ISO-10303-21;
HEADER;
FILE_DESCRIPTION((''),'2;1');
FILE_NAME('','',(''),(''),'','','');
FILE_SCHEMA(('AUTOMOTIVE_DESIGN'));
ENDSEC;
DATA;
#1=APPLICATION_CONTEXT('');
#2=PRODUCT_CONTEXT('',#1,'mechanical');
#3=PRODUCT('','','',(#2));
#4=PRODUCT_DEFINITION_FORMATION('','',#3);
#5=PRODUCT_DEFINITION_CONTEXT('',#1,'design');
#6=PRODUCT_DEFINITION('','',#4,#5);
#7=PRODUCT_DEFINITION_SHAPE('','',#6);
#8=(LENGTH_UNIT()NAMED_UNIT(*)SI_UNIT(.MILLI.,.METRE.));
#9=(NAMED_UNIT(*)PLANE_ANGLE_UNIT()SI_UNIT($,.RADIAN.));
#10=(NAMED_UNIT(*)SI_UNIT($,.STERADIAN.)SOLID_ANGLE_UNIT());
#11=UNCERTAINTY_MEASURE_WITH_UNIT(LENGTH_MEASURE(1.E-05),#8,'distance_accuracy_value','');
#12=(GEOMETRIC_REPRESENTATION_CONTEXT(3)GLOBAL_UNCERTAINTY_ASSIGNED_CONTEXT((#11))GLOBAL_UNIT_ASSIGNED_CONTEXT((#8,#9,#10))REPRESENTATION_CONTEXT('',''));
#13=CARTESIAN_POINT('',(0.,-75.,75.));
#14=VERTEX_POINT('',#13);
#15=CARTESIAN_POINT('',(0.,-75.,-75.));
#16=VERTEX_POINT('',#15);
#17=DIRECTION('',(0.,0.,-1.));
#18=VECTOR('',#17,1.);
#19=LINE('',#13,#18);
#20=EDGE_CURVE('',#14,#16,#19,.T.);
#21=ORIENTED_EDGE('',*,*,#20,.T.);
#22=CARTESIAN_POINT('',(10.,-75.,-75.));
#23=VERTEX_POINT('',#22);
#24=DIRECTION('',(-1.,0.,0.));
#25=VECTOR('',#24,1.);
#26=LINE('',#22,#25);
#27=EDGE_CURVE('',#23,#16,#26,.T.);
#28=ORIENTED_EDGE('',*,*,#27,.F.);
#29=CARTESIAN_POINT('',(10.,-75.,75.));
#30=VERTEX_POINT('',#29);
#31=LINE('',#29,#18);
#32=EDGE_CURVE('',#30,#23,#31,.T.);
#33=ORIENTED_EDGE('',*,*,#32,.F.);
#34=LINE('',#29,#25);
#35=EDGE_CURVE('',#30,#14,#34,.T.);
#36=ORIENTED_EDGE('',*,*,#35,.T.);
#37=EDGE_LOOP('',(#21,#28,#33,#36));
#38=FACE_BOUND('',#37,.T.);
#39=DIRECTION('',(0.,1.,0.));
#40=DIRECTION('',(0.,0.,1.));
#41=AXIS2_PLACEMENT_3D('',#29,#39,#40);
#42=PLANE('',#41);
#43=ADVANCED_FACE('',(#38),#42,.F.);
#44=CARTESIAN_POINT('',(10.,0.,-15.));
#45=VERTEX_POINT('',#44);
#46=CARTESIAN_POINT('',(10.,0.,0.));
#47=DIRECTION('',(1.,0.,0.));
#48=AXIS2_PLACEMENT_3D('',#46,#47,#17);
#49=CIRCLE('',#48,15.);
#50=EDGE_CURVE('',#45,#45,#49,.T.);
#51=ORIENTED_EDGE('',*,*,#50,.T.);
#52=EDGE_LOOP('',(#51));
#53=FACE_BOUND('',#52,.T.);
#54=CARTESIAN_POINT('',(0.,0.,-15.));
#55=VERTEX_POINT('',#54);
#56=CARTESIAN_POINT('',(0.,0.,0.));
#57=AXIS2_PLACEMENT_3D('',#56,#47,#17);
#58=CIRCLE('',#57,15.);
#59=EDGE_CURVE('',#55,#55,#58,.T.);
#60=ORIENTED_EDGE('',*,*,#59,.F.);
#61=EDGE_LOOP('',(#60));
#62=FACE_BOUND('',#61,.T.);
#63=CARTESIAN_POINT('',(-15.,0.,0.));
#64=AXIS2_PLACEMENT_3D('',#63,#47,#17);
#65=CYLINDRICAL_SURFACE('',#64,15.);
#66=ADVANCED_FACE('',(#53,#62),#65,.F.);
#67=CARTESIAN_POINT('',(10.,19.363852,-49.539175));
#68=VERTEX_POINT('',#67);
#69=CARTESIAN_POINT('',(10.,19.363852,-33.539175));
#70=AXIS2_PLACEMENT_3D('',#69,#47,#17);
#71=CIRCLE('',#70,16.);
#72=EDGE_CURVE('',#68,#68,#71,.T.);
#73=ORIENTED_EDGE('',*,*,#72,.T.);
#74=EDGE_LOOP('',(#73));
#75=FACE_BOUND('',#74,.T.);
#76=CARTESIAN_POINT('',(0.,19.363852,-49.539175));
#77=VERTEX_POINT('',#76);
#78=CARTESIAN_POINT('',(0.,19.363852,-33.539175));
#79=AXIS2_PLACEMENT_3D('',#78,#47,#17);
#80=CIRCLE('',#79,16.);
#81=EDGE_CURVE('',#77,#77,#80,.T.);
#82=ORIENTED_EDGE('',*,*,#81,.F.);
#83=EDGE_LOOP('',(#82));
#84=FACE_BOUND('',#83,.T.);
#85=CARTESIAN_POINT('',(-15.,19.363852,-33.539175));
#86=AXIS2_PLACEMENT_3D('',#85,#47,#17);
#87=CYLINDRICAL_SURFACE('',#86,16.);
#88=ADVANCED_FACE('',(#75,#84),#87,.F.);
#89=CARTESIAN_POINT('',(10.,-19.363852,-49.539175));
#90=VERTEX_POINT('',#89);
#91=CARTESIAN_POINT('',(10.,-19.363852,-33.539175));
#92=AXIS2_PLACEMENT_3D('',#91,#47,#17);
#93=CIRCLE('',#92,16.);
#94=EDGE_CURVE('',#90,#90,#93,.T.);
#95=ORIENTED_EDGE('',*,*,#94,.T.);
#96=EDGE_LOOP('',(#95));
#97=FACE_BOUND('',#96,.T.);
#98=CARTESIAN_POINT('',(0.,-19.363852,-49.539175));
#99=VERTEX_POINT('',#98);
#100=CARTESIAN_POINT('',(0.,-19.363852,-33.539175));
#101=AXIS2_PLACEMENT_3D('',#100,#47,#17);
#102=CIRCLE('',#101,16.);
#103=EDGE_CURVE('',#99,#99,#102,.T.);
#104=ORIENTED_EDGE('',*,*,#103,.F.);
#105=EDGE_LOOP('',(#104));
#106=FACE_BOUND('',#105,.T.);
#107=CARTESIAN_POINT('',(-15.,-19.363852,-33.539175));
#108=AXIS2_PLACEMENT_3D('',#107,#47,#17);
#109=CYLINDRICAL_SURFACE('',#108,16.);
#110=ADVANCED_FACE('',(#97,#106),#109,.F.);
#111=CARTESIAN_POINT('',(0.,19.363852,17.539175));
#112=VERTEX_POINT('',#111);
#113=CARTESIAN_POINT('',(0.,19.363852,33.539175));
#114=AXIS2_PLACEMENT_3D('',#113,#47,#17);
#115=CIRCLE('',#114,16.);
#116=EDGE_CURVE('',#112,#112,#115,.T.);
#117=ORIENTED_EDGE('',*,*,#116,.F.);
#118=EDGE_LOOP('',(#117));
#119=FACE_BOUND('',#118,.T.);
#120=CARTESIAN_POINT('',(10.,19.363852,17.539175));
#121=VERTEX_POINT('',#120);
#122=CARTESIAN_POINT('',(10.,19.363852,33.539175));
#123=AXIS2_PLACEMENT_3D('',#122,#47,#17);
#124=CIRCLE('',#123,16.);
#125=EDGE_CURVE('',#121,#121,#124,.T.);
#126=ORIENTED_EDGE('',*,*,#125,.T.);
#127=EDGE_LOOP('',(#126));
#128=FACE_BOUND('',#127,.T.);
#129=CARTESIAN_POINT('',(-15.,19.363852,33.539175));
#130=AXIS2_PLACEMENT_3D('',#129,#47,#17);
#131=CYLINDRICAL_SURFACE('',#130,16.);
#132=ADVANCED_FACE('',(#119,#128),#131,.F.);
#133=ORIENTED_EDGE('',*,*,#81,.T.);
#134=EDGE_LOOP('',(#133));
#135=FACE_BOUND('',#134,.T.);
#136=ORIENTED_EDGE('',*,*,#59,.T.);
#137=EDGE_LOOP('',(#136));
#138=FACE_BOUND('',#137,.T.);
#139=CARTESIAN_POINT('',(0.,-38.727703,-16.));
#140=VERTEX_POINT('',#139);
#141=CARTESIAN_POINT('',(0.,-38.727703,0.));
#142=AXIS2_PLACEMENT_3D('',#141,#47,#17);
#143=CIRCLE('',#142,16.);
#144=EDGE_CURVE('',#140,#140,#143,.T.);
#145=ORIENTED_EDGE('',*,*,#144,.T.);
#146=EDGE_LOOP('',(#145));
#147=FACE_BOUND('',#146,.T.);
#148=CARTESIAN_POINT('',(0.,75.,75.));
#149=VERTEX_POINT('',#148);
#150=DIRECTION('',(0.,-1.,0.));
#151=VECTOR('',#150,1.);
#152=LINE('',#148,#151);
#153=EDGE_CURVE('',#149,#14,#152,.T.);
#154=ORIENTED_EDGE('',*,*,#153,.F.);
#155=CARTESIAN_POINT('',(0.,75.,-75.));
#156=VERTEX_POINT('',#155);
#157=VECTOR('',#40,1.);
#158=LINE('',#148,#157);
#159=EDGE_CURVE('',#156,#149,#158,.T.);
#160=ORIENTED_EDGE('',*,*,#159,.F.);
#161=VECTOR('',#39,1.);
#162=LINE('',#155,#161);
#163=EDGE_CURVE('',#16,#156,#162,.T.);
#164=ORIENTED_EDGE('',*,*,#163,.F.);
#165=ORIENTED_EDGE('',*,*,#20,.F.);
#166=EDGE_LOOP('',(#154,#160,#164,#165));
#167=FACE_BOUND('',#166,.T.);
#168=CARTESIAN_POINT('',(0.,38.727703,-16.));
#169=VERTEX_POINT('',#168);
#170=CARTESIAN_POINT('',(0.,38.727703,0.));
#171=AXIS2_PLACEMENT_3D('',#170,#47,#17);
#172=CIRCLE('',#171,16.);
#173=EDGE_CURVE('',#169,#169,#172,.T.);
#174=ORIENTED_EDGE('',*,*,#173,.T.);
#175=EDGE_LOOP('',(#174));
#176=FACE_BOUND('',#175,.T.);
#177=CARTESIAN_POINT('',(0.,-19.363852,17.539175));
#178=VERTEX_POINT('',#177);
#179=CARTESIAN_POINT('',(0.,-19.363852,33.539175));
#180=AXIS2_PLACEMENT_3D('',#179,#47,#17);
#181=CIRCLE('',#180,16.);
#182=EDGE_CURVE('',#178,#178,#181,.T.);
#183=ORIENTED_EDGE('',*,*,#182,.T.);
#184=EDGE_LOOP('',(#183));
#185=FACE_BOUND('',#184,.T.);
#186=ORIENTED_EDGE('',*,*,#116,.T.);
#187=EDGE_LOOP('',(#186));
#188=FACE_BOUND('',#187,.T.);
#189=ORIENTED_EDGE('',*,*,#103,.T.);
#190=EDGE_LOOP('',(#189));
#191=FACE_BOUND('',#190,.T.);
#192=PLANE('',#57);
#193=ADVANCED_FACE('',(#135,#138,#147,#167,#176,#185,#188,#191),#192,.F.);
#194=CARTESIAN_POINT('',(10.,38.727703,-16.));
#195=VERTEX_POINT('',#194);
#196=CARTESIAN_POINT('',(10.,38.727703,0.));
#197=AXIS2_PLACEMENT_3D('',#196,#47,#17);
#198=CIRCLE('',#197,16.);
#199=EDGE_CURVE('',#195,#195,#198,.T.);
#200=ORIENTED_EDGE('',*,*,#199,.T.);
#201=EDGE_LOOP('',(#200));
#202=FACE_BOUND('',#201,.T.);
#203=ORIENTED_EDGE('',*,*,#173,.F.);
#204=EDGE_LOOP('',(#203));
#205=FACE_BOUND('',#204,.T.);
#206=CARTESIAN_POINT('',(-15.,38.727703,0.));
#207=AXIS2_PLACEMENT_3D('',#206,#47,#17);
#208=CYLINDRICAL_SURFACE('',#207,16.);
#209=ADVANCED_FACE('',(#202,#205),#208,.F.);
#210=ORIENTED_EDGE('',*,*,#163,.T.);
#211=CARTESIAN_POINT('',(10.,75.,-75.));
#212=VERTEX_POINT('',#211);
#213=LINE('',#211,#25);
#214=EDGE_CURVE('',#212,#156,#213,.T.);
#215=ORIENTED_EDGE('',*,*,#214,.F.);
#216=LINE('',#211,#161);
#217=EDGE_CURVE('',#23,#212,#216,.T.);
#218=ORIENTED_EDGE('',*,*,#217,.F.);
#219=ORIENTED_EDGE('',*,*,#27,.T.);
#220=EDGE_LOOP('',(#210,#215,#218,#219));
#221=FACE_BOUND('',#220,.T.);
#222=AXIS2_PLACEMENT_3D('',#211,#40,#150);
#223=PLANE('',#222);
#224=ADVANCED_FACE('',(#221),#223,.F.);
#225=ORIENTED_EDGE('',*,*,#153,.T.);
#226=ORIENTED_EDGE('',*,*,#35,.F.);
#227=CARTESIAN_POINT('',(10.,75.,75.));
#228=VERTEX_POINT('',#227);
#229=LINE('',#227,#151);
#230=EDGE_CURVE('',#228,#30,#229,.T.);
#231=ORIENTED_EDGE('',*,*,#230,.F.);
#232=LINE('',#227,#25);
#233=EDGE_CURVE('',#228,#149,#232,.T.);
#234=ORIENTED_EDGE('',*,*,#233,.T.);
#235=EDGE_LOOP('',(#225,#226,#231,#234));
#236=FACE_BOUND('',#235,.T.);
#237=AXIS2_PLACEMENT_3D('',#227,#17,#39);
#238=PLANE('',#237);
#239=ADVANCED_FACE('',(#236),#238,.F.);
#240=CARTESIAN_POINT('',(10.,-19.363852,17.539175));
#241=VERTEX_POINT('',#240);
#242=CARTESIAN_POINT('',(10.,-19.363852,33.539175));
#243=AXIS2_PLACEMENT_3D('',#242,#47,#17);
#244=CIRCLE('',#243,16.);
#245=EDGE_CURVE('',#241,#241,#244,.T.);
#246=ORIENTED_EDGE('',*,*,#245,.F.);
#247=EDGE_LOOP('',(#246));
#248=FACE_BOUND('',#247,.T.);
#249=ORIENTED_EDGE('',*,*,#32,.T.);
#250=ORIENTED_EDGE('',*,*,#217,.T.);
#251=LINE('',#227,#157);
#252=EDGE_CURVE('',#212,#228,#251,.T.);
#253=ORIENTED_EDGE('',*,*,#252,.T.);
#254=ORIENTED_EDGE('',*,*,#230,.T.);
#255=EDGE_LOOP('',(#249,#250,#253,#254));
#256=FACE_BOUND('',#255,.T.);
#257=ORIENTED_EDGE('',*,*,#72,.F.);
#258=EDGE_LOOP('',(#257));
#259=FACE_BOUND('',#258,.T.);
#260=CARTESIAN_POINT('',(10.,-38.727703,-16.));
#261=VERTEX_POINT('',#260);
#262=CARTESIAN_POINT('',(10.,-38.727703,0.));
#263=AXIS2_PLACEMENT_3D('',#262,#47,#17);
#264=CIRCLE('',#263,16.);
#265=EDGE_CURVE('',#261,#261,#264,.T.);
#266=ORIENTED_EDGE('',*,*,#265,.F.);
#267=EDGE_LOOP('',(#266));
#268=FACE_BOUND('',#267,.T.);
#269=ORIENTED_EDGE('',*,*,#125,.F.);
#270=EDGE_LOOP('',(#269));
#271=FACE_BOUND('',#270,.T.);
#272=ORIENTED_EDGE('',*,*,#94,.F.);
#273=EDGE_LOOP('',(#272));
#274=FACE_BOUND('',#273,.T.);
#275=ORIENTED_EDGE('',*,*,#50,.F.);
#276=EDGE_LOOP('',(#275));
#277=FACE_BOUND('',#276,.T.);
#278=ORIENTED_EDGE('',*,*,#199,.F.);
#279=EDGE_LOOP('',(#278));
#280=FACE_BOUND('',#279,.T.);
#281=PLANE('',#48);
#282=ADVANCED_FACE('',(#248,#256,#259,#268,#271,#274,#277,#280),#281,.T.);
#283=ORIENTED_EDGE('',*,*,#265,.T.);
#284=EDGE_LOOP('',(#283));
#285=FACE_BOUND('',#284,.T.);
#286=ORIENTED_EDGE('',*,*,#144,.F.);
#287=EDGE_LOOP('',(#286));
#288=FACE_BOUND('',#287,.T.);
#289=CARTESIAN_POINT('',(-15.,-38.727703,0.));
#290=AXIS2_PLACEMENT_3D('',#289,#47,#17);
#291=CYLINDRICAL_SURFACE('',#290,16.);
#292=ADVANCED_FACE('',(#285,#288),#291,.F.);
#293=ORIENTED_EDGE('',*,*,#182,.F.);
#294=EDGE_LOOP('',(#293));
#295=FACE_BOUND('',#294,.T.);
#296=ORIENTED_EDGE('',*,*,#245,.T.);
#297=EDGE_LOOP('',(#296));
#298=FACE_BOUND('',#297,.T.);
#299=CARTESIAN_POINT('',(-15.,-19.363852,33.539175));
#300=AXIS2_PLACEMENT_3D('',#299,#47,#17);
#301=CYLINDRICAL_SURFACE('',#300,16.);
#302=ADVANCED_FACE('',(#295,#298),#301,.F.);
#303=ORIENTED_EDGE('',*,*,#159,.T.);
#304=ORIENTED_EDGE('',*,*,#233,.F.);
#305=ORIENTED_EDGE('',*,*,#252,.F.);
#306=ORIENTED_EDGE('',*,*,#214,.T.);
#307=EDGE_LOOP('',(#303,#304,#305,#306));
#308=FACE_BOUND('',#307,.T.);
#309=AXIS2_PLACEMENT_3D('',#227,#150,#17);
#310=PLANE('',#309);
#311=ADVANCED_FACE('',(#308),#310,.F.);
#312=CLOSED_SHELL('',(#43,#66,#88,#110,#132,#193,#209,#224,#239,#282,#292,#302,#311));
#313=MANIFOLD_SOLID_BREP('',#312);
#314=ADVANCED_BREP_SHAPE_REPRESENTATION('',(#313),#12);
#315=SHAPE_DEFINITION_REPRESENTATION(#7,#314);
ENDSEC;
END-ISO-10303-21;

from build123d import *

# Parameters (mm, degrees)
SKETCH1_W           = 150
SKETCH1_H           = 150
BOSS_EXTRUDE1_DEPTH = 10
SKETCH2_R           = 15
SKETCH2_R_2         = 16
CUT_EXTRUDE1_DEPTH  = 25


with BuildPart() as part:
    # Sketch1 → Boss-Extrude1 (new body)
    with BuildSketch(Plane(origin=(0, 0, 0), x_dir=(0, 0, -1), z_dir=(1, 0, 0))):
        Rectangle(SKETCH1_W, SKETCH1_H)
    extrude(amount=BOSS_EXTRUDE1_DEPTH)

    # Sketch2 → Cut-Extrude1 (cut)
    with BuildSketch(Plane(origin=(10, 0, 0), x_dir=(0, 0, -1), z_dir=(1, 0, 0))):
        Circle(SKETCH2_R)
        with Locations((0, 38.727703316)):
            Circle(SKETCH2_R_2)
        with Locations((33.539174902, 19.363851658)):
            Circle(SKETCH2_R_2)
        with Locations((33.539174902, -19.363851658)):
            Circle(SKETCH2_R_2)
        with Locations((0, -38.727703316)):
            Circle(SKETCH2_R_2)
        with Locations((-33.539174902, -19.363851658)):
            Circle(SKETCH2_R_2)
        with Locations((-33.539174902, 19.363851658)):
            Circle(SKETCH2_R_2)
    extrude(amount=-CUT_EXTRUDE1_DEPTH, mode=Mode.SUBTRACT)


solid = part.part
